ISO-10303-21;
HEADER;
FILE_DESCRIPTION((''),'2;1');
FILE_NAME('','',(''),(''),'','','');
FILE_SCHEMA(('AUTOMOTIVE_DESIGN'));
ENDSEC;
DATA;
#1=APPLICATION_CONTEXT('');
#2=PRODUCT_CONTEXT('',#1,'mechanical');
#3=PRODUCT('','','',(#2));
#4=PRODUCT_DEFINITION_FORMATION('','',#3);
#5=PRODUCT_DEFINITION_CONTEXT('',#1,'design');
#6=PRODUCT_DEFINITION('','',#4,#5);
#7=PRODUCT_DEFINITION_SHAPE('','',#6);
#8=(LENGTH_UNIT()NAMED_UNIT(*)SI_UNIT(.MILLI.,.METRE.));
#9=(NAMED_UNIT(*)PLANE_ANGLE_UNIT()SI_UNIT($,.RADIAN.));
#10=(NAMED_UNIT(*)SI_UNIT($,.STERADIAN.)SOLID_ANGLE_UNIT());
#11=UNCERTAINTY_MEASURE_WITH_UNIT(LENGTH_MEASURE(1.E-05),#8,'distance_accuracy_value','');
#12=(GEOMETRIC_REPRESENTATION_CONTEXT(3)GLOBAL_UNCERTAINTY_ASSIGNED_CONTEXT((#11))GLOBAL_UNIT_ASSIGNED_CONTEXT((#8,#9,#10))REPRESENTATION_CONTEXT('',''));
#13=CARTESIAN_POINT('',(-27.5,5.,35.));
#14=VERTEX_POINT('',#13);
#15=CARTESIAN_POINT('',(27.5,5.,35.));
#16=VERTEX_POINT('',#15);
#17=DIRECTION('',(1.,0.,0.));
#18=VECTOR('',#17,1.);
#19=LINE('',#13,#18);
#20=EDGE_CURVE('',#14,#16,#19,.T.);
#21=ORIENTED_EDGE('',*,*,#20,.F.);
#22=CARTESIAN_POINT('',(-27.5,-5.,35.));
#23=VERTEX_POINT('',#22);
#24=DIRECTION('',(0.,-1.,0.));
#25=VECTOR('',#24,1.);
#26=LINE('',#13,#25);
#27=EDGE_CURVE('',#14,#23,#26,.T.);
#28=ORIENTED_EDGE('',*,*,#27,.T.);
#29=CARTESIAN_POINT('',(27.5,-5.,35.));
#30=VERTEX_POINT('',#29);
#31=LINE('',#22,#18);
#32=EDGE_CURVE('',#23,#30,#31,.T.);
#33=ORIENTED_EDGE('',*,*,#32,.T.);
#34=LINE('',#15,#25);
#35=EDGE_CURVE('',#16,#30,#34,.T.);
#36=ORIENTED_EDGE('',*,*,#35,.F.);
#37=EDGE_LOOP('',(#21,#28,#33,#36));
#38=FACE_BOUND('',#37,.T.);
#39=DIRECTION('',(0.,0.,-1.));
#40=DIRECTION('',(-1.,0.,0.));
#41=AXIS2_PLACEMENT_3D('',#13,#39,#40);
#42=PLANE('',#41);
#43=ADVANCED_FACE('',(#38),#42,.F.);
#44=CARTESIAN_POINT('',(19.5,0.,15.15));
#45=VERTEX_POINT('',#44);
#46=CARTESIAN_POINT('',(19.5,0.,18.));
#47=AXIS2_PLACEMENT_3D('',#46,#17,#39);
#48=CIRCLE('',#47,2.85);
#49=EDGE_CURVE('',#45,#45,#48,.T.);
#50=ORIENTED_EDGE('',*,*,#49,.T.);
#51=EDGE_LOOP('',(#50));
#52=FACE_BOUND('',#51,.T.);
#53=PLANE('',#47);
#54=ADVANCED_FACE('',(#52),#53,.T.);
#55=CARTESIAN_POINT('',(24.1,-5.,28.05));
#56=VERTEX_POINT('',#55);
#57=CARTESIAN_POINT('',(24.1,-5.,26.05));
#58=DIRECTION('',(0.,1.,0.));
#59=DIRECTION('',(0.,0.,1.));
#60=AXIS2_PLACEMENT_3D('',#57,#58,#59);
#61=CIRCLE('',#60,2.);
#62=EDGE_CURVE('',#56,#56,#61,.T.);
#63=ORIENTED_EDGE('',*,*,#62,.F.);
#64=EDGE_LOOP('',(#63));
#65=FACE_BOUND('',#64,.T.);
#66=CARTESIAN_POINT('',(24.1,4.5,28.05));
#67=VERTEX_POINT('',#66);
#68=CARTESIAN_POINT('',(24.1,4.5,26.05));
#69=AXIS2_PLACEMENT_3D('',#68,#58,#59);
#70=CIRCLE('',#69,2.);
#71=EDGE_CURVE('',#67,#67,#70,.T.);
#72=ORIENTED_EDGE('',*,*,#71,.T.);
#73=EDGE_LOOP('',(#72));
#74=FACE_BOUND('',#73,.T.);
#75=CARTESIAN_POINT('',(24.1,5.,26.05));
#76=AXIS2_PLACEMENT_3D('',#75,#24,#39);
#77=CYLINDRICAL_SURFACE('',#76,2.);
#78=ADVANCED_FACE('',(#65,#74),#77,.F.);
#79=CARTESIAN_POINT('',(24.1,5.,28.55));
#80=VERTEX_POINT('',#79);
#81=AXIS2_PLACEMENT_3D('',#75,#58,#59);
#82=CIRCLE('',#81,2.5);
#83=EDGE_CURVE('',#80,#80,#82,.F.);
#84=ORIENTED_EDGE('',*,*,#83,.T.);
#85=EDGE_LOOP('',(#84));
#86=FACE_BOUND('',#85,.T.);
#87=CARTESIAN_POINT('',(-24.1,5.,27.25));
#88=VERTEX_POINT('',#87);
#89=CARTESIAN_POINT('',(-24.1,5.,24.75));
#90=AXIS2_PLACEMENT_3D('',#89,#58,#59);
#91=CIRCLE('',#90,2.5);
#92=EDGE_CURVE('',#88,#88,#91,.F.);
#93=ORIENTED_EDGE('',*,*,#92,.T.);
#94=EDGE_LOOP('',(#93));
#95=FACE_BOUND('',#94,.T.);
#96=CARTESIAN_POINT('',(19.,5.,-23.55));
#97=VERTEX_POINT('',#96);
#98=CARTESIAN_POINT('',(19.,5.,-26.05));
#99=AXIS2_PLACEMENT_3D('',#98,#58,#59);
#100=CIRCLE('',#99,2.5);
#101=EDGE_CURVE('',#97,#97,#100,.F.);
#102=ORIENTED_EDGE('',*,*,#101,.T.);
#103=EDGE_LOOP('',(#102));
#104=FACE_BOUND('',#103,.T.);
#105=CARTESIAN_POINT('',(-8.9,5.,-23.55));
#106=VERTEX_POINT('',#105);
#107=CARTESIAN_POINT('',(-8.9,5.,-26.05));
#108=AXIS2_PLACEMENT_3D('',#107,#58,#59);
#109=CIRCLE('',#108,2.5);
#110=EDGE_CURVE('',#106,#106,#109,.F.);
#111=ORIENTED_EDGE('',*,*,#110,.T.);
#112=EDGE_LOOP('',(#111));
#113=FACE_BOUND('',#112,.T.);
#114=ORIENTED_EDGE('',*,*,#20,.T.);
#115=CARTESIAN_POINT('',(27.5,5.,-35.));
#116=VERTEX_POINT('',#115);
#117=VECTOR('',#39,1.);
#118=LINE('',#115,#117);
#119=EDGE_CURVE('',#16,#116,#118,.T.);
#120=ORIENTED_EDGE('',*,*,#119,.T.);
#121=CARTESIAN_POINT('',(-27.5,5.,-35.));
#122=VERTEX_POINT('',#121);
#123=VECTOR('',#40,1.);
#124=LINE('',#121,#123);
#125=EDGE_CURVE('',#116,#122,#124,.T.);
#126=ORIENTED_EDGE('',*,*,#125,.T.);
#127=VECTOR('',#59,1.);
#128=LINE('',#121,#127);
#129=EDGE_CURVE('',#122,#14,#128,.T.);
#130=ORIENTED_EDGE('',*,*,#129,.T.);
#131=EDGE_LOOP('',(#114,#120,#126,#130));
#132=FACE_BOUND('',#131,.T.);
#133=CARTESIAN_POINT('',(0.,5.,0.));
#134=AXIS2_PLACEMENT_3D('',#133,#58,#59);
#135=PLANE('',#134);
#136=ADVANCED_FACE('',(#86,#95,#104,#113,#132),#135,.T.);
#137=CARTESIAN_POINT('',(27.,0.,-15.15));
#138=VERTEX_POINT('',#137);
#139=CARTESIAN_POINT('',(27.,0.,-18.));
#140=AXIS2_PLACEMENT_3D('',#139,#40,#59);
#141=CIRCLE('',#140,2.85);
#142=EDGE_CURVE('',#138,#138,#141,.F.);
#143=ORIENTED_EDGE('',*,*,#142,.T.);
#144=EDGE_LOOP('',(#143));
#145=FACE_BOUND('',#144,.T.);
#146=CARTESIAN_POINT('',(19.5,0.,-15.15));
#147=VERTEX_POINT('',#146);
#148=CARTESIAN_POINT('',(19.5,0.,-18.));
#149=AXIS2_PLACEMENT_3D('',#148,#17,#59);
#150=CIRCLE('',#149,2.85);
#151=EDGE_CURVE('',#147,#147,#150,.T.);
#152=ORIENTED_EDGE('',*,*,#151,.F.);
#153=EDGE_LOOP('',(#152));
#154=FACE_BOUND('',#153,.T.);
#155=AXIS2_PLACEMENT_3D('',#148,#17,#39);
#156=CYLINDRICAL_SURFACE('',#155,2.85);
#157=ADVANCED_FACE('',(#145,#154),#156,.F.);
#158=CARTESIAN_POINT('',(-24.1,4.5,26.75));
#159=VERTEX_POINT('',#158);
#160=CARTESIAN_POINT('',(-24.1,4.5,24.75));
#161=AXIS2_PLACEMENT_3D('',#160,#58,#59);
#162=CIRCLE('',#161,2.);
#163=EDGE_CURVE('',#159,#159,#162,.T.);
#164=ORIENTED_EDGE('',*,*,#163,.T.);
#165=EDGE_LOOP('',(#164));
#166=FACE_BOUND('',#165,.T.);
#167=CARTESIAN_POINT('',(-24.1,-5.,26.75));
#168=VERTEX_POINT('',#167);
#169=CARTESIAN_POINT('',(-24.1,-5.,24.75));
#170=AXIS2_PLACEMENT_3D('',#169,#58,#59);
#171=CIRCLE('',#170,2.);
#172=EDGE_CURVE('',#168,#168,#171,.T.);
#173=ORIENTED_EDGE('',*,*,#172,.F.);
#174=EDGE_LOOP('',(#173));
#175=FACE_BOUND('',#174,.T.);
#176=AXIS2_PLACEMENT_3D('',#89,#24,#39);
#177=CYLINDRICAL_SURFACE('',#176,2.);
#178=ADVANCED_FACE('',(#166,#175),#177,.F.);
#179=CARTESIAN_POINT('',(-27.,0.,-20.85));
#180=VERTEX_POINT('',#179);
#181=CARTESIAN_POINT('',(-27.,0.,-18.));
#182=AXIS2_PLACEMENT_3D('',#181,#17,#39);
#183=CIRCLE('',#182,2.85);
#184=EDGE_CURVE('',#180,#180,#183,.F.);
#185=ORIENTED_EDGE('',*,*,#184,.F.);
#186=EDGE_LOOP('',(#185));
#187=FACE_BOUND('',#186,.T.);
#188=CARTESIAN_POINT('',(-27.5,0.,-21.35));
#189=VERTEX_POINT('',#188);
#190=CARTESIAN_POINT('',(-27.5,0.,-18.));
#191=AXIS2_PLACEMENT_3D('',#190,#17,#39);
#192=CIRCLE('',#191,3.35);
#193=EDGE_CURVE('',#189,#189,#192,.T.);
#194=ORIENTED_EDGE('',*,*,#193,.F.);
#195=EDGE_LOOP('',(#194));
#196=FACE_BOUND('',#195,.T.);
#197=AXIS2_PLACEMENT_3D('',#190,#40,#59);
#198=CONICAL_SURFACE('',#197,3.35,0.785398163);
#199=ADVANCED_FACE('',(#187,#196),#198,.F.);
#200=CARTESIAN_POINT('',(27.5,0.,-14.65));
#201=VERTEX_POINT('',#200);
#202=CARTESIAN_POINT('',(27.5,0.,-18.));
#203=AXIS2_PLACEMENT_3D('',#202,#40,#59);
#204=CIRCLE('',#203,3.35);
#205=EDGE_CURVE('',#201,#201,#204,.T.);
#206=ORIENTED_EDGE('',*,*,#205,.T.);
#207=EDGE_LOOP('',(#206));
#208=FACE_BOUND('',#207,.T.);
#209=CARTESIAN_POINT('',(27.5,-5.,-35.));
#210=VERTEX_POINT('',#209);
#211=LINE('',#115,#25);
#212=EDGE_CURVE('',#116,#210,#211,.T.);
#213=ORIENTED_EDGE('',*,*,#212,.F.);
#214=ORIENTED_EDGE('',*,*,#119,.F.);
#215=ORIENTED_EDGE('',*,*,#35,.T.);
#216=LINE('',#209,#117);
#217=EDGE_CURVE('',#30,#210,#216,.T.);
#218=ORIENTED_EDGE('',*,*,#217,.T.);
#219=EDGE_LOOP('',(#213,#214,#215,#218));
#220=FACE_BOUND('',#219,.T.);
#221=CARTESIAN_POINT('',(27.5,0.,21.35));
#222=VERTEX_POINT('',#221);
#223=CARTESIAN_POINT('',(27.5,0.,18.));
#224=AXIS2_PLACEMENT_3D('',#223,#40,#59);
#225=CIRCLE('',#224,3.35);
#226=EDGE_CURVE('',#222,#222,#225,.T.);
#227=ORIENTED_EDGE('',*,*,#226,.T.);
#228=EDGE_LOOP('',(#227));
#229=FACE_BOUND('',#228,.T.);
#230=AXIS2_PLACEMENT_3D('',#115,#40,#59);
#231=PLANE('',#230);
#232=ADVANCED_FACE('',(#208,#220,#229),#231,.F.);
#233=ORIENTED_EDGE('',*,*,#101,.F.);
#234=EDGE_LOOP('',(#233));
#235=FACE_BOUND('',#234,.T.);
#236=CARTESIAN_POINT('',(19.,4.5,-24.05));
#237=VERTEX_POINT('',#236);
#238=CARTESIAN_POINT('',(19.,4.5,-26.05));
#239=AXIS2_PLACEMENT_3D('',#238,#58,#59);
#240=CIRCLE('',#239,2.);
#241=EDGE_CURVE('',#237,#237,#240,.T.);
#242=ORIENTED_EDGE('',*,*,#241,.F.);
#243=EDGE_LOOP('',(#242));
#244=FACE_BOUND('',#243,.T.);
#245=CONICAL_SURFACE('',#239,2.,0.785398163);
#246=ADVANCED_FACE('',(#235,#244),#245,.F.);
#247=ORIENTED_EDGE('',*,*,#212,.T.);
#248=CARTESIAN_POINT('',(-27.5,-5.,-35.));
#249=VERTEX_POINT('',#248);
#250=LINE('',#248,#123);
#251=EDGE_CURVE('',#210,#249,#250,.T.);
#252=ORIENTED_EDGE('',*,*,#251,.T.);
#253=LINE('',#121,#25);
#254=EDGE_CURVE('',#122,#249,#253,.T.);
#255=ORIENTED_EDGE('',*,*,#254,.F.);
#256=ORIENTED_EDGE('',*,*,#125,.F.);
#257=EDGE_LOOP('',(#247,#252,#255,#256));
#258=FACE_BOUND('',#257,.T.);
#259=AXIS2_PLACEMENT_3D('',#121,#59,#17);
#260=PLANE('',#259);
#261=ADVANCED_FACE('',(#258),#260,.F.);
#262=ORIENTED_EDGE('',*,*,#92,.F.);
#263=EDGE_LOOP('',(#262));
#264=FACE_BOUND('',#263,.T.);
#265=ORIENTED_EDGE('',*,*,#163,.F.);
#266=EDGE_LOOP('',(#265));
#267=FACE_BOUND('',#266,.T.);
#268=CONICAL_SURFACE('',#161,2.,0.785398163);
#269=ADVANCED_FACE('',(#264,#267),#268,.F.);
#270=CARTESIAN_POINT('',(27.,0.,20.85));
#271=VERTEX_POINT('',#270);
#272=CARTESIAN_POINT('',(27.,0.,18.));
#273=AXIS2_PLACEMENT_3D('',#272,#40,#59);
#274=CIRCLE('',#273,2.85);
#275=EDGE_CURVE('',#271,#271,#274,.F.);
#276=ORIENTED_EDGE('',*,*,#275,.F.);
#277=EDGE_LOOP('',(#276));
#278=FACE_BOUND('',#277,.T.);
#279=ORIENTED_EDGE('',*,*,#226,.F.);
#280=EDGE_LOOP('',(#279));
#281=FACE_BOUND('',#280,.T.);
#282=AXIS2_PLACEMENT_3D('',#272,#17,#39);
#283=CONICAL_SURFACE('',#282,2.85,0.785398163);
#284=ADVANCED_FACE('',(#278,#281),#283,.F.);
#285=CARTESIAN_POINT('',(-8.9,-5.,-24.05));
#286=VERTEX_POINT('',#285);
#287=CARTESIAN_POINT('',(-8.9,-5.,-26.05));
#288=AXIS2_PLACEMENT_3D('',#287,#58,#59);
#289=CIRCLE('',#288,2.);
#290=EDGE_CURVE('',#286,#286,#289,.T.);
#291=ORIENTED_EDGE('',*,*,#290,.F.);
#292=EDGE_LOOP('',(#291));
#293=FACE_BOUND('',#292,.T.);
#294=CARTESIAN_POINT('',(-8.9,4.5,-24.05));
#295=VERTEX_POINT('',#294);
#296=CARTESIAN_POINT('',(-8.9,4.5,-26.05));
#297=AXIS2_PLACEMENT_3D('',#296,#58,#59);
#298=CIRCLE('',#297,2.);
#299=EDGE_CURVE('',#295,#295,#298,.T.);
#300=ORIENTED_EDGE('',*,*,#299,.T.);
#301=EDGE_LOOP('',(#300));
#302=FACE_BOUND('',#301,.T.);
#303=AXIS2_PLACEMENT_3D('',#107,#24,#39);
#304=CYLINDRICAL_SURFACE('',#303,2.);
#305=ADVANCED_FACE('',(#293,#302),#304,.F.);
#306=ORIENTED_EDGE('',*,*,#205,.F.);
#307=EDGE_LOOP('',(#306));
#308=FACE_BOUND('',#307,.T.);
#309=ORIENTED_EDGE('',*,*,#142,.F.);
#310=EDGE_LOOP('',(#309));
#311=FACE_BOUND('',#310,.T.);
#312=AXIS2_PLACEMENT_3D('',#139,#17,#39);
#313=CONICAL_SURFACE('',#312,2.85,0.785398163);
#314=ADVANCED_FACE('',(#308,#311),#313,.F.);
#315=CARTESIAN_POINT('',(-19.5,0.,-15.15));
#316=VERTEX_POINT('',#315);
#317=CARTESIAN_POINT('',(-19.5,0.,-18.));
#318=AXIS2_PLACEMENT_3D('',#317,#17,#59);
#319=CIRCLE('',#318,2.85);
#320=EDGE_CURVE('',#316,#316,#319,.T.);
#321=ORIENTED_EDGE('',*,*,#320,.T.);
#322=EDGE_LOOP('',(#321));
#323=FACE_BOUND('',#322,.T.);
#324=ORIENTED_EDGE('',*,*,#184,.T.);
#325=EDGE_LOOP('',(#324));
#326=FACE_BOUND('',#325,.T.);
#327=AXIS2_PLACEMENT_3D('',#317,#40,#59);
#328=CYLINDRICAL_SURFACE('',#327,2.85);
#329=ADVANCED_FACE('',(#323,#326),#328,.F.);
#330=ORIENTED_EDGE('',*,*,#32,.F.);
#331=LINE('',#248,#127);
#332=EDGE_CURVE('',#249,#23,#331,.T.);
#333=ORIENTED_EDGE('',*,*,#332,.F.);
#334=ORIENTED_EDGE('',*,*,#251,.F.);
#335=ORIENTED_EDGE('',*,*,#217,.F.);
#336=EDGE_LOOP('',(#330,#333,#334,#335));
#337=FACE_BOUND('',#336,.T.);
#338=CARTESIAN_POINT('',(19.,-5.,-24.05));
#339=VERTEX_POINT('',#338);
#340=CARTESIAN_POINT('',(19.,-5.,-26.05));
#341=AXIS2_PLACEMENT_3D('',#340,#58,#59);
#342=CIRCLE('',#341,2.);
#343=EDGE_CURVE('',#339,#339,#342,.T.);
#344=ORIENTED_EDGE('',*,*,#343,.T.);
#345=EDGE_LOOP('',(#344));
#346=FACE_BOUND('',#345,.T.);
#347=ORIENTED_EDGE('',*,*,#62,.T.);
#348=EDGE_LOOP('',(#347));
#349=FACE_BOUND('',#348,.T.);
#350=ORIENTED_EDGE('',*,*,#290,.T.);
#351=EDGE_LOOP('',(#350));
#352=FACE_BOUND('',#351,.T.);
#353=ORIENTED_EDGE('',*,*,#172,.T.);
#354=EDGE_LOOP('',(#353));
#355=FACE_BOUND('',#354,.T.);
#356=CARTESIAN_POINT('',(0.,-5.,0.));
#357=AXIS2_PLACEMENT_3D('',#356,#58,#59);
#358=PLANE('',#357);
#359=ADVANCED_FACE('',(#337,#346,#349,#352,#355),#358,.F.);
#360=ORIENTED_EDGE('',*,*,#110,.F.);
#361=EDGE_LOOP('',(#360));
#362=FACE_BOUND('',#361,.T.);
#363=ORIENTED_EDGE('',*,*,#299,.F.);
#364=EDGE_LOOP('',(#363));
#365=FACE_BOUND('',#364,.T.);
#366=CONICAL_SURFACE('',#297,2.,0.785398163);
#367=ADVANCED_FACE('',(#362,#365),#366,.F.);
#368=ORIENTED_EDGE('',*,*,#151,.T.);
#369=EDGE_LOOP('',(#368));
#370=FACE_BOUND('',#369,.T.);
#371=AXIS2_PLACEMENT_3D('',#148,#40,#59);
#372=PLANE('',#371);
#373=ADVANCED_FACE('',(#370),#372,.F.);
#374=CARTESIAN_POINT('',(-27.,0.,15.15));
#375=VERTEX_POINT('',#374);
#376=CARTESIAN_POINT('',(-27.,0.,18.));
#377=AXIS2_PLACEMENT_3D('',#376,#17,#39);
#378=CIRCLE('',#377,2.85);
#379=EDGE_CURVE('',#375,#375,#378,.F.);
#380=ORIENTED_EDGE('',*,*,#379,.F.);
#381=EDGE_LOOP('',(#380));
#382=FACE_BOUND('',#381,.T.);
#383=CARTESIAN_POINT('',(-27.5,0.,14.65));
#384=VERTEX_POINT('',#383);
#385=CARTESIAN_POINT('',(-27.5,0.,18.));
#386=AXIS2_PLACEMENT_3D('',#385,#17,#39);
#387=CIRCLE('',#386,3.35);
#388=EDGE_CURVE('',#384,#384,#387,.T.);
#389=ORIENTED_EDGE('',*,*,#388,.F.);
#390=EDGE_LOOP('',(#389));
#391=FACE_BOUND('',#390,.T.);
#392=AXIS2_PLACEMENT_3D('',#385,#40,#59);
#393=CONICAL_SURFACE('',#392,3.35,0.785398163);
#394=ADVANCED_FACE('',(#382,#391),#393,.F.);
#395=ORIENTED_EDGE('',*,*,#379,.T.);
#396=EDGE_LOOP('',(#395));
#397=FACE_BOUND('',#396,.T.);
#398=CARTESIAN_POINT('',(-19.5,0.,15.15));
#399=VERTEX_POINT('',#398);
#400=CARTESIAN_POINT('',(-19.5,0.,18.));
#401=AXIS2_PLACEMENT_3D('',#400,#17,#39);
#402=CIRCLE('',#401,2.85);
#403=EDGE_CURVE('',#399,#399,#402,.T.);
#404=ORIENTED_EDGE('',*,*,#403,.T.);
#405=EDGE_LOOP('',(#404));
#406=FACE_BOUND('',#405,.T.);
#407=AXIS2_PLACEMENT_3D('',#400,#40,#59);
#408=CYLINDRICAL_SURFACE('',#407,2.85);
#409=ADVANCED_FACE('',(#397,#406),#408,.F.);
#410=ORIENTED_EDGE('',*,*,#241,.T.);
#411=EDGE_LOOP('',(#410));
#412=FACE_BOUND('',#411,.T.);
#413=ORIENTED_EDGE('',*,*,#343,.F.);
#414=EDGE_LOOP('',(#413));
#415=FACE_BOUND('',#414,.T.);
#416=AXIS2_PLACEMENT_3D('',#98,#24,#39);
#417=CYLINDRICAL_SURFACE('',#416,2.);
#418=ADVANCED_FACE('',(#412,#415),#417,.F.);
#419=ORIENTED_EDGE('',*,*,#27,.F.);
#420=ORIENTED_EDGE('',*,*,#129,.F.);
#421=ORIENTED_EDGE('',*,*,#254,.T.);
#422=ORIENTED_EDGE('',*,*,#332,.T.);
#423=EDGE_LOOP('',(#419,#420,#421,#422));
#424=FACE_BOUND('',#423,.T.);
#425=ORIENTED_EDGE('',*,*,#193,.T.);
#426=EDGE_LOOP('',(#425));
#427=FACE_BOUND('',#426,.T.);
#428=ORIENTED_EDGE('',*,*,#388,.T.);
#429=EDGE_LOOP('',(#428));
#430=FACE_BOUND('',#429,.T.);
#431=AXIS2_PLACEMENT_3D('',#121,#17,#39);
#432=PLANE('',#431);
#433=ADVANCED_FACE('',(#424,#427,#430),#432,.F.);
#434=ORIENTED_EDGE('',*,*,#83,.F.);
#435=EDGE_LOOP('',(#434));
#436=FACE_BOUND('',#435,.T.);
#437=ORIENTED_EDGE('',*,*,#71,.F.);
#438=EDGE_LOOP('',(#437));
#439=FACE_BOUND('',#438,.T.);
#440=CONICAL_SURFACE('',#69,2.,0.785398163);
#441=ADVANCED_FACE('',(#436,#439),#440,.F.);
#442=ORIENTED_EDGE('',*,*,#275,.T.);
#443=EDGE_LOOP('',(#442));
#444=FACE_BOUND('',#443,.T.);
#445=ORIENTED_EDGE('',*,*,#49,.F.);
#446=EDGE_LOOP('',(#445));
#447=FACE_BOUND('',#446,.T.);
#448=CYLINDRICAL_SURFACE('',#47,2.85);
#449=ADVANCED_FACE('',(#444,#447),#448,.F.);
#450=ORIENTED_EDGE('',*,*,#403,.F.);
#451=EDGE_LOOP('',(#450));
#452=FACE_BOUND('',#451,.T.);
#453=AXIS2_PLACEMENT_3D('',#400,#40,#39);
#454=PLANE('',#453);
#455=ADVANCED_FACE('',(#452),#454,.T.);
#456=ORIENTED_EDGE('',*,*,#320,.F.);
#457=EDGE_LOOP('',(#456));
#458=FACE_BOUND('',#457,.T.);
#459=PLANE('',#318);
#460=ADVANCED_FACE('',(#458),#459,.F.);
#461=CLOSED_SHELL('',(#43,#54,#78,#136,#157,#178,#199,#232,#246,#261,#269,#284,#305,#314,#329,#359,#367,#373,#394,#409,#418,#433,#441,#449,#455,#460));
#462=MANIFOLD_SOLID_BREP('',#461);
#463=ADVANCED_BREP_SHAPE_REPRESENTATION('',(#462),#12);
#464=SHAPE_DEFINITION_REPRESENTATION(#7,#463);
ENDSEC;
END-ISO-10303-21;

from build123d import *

# Parameters (mm, degrees)
SKETCH1_W           = 55
SKETCH1_H           = 70
SKETCH1_R           = 2
BOSS_EXTRUDE1_DEPTH = 5
SKETCH2_R           = 2.85
CUT_EXTRUDE1_DEPTH  = 8
CHAMFER1_SIZE       = 0.5


with BuildPart() as part:
    # Sketch1 → Boss-Extrude1 (new, symmetric)
    with BuildSketch(Plane(origin=(0, 0, 0), x_dir=(1, 0, 0), z_dir=(0, 1, 0))):
        Rectangle(SKETCH1_W, SKETCH1_H)
        with Locations(Location((24.1, -26.05, 0), (0, 0, 270))):
            Circle(SKETCH1_R, mode=Mode.SUBTRACT)
        with Locations(Location((-24.1, -24.75, 0), (0, 0, 270))):
            Circle(SKETCH1_R, mode=Mode.SUBTRACT)
        with Locations(Location((19, 26.05, 0), (0, 0, 270))):
            Circle(SKETCH1_R, mode=Mode.SUBTRACT)
        with Locations(Location((-8.9, 26.05, 0), (0, 0, 270))):
            Circle(SKETCH1_R, mode=Mode.SUBTRACT)
    extrude(amount=BOSS_EXTRUDE1_DEPTH, both=True)

    # Sketch2 → Cut-Extrude1 (cut)
    with BuildSketch(Plane(origin=(27.5, 0, 0), x_dir=(0, 0, -1), z_dir=(1, 0, 0))):
        with Locations((-18, 0)):
            Circle(SKETCH2_R)
        with Locations(Location((18, 0, 0), (0, 0, 180))):
            Circle(SKETCH2_R)
    cut_extrude1 = extrude(amount=-CUT_EXTRUDE1_DEPTH, mode=Mode.SUBTRACT)

    # Mirror1: Cut-Extrude1 across plane
    add(cut_extrude1.mirror(Plane(origin=(0, 0, 0), x_dir=(0, 0, 1), z_dir=(1, 0, 0))), mode=Mode.SUBTRACT)

    # Chamfer1
    chamfer1_edges = [part.edges().sort_by_distance(p)[0] for p in [
        (-24.1, 5, 22.75),
        (19, 5, -28.05),
        (24.1, 5, 24.05),
        (-8.9, 5, -28.05),
        (27.5, 0, 20.85),
        (27.5, 0, -20.85),
        (-27.5, 0, 20.85),
        (-27.5, 0, -20.85),
    ]]
    chamfer(chamfer1_edges, length=CHAMFER1_SIZE)


solid = part.part
